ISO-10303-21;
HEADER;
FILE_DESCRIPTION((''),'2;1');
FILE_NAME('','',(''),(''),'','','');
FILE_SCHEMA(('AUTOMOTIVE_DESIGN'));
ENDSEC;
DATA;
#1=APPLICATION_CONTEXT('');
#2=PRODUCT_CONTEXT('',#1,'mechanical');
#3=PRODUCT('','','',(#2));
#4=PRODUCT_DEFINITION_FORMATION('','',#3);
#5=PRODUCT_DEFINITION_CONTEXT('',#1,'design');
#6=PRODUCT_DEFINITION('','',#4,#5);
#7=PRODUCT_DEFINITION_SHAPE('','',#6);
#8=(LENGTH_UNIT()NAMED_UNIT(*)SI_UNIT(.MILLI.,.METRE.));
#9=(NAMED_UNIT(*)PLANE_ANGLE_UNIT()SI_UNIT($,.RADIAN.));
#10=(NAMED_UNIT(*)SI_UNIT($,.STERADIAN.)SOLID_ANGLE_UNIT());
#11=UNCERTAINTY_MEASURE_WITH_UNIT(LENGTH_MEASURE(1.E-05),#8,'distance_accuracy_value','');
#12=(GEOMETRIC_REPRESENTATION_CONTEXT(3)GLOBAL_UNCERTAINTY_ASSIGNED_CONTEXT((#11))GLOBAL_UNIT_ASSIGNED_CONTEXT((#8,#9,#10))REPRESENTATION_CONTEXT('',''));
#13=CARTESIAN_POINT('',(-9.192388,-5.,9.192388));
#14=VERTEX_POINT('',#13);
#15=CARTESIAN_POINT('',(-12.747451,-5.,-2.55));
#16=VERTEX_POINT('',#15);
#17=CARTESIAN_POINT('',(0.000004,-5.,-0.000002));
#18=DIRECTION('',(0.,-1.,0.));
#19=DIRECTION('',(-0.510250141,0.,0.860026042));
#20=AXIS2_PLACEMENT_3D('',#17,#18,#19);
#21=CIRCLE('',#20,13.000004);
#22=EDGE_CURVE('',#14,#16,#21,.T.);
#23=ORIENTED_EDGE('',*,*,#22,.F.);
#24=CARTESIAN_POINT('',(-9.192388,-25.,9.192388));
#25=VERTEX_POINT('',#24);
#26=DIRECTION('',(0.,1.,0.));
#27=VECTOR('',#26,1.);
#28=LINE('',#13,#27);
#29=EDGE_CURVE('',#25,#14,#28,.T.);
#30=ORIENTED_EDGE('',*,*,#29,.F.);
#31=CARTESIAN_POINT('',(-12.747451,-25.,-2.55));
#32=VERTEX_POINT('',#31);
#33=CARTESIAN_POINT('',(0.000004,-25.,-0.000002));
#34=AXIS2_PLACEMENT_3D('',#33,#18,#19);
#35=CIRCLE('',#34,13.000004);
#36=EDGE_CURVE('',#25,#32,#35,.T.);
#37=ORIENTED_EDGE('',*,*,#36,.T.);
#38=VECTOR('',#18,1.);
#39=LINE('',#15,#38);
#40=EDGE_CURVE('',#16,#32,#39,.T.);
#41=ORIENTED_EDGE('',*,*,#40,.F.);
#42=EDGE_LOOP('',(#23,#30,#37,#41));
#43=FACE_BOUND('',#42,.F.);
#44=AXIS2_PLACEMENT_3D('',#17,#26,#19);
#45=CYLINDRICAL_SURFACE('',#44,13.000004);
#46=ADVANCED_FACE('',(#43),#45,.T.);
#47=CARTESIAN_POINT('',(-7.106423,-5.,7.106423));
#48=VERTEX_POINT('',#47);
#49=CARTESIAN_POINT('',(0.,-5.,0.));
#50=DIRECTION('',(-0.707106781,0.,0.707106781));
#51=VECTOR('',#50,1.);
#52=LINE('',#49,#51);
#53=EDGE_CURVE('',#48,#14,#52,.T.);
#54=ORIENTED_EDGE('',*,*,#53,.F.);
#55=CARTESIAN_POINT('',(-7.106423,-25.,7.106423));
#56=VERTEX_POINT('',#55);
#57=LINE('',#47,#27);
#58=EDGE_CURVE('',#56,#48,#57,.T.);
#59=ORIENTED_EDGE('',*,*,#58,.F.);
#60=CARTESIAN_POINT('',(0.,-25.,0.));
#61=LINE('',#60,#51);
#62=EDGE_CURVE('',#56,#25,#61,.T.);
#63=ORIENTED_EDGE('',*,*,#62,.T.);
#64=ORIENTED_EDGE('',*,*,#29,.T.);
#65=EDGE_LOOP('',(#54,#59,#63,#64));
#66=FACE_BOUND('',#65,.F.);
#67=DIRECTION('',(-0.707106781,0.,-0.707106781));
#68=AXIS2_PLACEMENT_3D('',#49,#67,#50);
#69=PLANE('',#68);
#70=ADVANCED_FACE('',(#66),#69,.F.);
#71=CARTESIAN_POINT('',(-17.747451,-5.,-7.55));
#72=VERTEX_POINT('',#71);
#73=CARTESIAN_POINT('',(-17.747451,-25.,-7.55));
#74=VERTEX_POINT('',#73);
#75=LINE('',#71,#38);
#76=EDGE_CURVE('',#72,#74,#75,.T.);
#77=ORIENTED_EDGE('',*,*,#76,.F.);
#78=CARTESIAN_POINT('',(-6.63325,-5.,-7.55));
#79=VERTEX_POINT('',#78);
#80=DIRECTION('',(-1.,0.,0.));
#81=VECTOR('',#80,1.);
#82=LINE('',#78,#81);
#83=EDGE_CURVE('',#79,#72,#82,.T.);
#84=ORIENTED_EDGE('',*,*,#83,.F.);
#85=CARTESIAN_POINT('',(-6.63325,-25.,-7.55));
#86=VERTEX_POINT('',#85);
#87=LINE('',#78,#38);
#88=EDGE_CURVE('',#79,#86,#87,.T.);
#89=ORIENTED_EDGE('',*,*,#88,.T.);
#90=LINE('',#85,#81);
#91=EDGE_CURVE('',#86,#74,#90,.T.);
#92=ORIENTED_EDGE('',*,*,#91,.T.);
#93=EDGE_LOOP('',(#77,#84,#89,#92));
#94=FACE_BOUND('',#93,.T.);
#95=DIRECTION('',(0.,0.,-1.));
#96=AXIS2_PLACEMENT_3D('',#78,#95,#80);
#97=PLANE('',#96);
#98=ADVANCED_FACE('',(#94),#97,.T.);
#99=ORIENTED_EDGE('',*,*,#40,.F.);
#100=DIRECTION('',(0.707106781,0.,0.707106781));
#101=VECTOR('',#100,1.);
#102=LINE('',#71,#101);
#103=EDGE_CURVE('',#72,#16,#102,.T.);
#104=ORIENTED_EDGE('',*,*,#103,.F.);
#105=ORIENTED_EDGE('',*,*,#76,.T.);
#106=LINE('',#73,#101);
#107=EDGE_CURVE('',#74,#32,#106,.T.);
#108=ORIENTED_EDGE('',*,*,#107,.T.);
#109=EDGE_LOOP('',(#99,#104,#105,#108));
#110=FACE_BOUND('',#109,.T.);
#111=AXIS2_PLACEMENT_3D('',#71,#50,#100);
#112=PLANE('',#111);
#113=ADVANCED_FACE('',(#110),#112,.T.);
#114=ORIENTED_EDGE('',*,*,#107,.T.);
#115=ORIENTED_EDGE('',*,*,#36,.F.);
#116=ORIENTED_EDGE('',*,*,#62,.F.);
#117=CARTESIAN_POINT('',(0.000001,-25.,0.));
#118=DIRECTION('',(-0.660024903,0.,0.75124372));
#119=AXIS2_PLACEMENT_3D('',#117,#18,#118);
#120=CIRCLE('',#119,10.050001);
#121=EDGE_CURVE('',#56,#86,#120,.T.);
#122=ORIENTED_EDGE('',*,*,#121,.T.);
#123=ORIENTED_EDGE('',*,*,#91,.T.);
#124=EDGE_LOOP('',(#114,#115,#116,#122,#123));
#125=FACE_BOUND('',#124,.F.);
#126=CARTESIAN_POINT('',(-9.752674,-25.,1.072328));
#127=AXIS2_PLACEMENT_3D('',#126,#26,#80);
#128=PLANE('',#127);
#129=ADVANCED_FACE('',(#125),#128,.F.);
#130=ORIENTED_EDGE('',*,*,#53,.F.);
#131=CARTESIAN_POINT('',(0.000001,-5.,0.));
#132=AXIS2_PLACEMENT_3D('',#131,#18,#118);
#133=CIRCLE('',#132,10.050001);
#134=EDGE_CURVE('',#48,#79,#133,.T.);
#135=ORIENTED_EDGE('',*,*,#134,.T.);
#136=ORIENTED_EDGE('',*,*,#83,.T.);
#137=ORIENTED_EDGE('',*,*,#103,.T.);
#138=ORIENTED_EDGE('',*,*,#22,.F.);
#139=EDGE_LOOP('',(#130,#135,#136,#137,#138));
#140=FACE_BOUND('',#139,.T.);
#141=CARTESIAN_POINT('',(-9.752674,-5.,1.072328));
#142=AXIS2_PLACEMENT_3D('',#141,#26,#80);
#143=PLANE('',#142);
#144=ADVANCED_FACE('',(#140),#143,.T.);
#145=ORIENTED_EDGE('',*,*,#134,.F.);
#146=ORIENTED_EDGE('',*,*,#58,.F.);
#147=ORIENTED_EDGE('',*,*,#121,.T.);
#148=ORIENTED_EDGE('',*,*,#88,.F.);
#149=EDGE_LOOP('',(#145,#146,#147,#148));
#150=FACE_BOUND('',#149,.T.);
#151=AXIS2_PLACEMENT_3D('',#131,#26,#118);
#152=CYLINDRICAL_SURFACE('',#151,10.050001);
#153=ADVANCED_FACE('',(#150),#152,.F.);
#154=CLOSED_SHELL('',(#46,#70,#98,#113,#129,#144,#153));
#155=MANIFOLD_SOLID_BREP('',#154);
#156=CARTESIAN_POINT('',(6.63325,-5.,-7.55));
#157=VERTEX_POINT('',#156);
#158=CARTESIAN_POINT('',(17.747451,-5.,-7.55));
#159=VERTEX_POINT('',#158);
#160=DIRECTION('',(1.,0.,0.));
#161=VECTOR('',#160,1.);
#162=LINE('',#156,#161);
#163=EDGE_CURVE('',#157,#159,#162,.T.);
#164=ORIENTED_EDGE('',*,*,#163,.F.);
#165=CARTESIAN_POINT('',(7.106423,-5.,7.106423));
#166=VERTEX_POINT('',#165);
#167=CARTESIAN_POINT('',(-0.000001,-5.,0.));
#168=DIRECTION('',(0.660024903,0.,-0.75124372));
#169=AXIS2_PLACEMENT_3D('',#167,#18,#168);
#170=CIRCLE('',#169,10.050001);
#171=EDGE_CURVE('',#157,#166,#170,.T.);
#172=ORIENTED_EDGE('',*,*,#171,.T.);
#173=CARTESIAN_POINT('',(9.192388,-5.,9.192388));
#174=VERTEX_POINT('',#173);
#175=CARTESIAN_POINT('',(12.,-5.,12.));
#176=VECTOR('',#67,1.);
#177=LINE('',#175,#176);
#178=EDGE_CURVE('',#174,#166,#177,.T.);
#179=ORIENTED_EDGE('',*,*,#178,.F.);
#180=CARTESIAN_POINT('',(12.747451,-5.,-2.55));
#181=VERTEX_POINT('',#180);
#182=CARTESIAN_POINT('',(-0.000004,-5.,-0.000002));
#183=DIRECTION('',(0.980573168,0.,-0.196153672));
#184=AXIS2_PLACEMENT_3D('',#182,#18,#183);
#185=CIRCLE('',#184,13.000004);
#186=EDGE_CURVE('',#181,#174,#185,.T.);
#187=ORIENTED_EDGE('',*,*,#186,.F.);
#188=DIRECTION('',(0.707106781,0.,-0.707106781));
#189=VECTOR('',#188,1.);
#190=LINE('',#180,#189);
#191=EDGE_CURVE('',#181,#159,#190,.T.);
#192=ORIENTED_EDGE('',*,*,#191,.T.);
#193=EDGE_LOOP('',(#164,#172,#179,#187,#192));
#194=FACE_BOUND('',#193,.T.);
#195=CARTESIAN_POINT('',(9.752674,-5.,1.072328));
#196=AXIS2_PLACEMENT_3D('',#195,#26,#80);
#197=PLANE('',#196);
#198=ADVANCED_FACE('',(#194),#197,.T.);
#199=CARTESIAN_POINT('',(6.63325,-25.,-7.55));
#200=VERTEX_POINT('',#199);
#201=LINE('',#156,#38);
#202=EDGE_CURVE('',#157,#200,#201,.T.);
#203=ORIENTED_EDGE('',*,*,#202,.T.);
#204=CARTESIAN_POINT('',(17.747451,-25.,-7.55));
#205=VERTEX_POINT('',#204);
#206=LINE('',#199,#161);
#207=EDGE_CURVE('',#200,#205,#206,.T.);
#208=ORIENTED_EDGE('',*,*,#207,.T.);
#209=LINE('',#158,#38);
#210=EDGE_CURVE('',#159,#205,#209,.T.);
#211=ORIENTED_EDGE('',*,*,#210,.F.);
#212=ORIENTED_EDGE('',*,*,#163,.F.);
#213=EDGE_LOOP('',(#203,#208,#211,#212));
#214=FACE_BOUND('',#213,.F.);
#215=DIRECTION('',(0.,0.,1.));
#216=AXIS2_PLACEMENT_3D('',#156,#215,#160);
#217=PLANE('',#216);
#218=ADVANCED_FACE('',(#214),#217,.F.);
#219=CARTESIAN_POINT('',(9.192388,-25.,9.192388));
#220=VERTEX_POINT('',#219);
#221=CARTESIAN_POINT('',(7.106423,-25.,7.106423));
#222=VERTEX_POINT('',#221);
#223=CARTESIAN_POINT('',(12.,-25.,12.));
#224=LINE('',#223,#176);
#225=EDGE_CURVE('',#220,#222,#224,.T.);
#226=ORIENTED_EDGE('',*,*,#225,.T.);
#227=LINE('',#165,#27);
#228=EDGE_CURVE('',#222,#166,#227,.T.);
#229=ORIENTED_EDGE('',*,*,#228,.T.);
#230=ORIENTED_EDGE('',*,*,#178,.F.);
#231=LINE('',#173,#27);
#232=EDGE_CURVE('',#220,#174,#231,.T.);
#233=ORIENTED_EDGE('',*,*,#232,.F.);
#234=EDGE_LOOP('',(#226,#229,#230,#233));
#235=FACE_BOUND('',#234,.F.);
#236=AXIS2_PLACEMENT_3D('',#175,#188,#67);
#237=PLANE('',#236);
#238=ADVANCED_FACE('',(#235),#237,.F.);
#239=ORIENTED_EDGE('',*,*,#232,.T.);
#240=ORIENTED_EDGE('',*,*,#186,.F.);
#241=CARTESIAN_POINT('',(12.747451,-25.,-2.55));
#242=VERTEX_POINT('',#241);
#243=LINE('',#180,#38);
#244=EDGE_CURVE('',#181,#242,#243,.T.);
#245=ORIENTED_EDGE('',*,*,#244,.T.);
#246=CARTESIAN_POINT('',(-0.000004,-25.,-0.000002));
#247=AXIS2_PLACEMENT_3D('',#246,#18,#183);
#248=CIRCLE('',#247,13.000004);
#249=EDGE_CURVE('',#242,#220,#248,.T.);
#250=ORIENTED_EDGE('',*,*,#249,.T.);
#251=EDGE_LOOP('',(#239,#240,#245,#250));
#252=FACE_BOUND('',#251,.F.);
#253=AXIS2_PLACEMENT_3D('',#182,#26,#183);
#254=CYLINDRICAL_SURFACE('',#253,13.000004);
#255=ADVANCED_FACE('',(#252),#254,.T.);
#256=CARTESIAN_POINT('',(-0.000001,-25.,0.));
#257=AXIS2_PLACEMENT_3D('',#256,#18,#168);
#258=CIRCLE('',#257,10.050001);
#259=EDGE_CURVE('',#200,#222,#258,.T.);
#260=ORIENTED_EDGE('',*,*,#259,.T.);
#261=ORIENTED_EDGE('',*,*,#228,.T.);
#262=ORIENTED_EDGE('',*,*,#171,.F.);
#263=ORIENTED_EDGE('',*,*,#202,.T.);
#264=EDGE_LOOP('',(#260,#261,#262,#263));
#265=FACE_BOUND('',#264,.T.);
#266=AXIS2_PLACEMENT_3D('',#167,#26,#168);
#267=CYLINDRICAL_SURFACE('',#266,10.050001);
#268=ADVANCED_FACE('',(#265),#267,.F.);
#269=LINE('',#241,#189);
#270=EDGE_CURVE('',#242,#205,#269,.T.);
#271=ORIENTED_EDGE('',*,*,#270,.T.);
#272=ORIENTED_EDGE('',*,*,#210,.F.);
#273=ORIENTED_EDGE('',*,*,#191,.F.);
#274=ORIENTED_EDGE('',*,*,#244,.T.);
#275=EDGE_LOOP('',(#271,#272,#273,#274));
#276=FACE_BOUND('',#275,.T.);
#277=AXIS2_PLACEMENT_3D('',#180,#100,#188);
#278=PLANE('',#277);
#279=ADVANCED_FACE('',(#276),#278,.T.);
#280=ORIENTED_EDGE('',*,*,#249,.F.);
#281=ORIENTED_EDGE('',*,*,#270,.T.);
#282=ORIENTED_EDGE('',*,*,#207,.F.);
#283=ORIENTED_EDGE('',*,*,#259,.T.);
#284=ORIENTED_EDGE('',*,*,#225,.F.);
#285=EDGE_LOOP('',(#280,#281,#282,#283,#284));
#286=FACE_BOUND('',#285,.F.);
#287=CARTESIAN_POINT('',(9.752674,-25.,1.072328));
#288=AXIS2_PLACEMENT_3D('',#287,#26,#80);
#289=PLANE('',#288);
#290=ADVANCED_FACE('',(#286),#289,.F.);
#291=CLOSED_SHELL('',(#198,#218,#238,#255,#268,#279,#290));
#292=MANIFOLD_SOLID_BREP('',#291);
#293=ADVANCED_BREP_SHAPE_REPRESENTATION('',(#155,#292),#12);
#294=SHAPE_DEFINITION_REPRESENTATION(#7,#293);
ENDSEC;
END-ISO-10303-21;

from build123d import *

# Parameters (mm, degrees)
PAD013_DEPTH = 20
PAD008_DEPTH = 20


with BuildPart() as motorholder_pocket:
    # Sketch017 → Pad013 (new body)
    with BuildSketch(Plane.XZ.offset(5)):
        Polygon((0, 0), (-12, 12), (12, 12), align=None)
    extrude(amount=PAD013_DEPTH)


with BuildPart() as motor_holder_cut:
    # Sketch010 → Pad008 (new body)
    with BuildSketch(Plane.XZ.offset(5)):
        with BuildLine():
            ThreePointArc((-6.63325, 7.55), (-10.05, 0), (-6.63325, -7.55))
            Line((-6.63325, -7.55), (-17.747451, -7.55))
            Line((-17.747451, -7.55), (-12.747451, -2.55))
            ThreePointArc((-6.63325, 11.18034), (-11.87575, 5.288341), (-12.747451, -2.55))
            Line((-2.63325, 11.18034), (-6.63325, 11.18034))
            Line((-2.63325, 7.55), (-2.63325, 11.18034))
            Line((-6.63325, 7.55), (-2.63325, 7.55))
        make_face()
        with BuildLine():
            ThreePointArc((6.63325, -7.55), (10.05, 0), (6.63325, 7.55))
            Line((6.63325, 7.55), (2.63325, 7.55))
            Line((2.63325, 7.55), (2.63325, 11.18034))
            Line((2.63325, 11.18034), (6.63325, 11.18034))
            ThreePointArc((12.747451, -2.55), (11.87575, 5.288341), (6.63325, 11.18034))
            Line((12.747451, -2.55), (17.747451, -7.55))
            Line((6.63325, -7.55), (17.747451, -7.55))
        make_face()
    extrude(amount=PAD008_DEPTH)

    # Cut004: cut motorholder_pocket
    add(motorholder_pocket.part, mode=Mode.SUBTRACT)


solid = motor_holder_cut.part
